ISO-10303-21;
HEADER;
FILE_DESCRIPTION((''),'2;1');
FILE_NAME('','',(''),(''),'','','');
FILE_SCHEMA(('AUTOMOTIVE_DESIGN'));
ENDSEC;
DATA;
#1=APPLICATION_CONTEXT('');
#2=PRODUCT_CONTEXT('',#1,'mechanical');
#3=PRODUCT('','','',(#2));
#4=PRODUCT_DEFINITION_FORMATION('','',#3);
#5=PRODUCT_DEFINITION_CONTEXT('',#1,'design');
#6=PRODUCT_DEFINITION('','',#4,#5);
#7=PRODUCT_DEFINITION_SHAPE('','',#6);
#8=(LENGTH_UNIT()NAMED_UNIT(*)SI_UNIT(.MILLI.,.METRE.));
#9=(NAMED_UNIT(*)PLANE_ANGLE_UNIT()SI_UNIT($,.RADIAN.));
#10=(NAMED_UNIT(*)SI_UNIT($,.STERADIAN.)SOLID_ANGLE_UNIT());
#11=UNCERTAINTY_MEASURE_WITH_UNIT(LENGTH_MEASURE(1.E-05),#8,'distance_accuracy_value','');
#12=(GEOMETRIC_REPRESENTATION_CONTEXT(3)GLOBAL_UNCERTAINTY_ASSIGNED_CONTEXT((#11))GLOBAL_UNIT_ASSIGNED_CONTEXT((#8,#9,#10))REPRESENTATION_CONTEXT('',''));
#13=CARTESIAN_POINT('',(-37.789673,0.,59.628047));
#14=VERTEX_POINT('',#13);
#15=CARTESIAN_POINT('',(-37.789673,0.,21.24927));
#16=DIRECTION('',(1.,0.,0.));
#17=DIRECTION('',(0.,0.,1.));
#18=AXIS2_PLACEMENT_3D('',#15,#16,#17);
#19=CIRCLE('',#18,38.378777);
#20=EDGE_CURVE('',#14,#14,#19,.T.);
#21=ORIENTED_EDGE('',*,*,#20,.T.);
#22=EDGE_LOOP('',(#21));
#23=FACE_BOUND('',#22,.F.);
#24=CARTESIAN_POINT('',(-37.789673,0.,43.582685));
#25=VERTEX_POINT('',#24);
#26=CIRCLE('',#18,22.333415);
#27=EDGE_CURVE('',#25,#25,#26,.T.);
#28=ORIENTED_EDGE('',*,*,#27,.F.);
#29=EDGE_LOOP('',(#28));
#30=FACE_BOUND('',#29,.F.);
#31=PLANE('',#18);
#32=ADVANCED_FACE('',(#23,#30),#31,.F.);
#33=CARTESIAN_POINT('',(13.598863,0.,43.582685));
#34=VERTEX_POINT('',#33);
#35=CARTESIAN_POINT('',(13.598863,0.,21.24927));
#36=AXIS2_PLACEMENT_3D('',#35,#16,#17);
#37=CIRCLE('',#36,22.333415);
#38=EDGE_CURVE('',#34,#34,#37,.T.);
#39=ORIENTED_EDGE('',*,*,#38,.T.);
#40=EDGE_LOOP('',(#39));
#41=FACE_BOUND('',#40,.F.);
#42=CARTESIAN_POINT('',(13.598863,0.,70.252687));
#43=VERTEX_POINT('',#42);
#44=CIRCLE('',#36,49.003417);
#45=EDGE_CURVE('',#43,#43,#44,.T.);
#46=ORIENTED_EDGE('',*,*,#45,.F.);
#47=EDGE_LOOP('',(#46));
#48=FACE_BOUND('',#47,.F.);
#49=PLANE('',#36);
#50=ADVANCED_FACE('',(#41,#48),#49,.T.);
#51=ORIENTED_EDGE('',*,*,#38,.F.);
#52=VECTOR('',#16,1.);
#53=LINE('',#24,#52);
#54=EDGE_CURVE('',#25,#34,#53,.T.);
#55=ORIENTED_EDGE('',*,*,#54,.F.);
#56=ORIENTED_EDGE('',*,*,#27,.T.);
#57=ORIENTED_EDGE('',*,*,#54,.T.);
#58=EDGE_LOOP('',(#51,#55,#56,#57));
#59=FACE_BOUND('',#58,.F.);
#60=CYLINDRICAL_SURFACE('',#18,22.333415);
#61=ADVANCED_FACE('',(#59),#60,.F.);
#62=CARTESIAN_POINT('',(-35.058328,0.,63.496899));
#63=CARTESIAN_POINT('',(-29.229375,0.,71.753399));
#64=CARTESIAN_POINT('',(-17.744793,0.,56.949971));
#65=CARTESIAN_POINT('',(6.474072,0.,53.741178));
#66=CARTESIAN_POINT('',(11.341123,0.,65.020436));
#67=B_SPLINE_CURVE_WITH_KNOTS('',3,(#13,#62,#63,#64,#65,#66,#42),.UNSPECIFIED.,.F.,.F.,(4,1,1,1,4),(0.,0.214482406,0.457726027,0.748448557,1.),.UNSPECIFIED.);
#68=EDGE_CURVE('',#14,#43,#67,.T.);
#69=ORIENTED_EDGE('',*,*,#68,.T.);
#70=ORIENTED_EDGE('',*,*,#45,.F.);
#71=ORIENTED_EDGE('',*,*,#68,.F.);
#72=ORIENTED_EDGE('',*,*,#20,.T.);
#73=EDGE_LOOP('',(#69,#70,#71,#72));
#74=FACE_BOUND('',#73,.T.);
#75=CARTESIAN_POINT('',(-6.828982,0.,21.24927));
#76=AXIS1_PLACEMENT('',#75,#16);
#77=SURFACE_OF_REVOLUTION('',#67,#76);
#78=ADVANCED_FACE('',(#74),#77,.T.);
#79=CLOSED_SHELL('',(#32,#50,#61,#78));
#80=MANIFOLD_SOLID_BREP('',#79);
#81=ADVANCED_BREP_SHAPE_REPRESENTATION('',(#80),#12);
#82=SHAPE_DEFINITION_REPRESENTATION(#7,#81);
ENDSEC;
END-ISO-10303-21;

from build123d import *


with BuildPart() as f1:
    # F0 (on Front) → F1 (revolve)
    with BuildSketch(Plane.XZ):
        with BuildLine():
            add(Edge.make_bspline(
                [(-37.7896726131, 59.628047049), (-35.058327599, 63.4968987285), (-29.2293753661, 71.7533992871), (-17.7447932309, 56.9499707172), (6.474072179, 53.7411779391), (11.3411230055, 65.0204356984), (13.5988630354, 70.252686739)],
                knots=[0, 0, 0, 0, 0.2144824063, 0.4577260268, 0.7484485574, 1, 1, 1, 1], degree=3))
            Line((-37.7896726131, 59.628047049), (-37.7896726131, 43.5826852918))
            Line((-37.7896726131, 43.5826852918), (13.5988630354, 43.5826852918))
            Line((13.5988630354, 43.5826852918), (13.5988630354, 70.252686739))
        make_face()
    revolve(axis=Axis((-6.828982383, 0, 21.2492700666), (1, 0, 0)))


solid = f1.part
